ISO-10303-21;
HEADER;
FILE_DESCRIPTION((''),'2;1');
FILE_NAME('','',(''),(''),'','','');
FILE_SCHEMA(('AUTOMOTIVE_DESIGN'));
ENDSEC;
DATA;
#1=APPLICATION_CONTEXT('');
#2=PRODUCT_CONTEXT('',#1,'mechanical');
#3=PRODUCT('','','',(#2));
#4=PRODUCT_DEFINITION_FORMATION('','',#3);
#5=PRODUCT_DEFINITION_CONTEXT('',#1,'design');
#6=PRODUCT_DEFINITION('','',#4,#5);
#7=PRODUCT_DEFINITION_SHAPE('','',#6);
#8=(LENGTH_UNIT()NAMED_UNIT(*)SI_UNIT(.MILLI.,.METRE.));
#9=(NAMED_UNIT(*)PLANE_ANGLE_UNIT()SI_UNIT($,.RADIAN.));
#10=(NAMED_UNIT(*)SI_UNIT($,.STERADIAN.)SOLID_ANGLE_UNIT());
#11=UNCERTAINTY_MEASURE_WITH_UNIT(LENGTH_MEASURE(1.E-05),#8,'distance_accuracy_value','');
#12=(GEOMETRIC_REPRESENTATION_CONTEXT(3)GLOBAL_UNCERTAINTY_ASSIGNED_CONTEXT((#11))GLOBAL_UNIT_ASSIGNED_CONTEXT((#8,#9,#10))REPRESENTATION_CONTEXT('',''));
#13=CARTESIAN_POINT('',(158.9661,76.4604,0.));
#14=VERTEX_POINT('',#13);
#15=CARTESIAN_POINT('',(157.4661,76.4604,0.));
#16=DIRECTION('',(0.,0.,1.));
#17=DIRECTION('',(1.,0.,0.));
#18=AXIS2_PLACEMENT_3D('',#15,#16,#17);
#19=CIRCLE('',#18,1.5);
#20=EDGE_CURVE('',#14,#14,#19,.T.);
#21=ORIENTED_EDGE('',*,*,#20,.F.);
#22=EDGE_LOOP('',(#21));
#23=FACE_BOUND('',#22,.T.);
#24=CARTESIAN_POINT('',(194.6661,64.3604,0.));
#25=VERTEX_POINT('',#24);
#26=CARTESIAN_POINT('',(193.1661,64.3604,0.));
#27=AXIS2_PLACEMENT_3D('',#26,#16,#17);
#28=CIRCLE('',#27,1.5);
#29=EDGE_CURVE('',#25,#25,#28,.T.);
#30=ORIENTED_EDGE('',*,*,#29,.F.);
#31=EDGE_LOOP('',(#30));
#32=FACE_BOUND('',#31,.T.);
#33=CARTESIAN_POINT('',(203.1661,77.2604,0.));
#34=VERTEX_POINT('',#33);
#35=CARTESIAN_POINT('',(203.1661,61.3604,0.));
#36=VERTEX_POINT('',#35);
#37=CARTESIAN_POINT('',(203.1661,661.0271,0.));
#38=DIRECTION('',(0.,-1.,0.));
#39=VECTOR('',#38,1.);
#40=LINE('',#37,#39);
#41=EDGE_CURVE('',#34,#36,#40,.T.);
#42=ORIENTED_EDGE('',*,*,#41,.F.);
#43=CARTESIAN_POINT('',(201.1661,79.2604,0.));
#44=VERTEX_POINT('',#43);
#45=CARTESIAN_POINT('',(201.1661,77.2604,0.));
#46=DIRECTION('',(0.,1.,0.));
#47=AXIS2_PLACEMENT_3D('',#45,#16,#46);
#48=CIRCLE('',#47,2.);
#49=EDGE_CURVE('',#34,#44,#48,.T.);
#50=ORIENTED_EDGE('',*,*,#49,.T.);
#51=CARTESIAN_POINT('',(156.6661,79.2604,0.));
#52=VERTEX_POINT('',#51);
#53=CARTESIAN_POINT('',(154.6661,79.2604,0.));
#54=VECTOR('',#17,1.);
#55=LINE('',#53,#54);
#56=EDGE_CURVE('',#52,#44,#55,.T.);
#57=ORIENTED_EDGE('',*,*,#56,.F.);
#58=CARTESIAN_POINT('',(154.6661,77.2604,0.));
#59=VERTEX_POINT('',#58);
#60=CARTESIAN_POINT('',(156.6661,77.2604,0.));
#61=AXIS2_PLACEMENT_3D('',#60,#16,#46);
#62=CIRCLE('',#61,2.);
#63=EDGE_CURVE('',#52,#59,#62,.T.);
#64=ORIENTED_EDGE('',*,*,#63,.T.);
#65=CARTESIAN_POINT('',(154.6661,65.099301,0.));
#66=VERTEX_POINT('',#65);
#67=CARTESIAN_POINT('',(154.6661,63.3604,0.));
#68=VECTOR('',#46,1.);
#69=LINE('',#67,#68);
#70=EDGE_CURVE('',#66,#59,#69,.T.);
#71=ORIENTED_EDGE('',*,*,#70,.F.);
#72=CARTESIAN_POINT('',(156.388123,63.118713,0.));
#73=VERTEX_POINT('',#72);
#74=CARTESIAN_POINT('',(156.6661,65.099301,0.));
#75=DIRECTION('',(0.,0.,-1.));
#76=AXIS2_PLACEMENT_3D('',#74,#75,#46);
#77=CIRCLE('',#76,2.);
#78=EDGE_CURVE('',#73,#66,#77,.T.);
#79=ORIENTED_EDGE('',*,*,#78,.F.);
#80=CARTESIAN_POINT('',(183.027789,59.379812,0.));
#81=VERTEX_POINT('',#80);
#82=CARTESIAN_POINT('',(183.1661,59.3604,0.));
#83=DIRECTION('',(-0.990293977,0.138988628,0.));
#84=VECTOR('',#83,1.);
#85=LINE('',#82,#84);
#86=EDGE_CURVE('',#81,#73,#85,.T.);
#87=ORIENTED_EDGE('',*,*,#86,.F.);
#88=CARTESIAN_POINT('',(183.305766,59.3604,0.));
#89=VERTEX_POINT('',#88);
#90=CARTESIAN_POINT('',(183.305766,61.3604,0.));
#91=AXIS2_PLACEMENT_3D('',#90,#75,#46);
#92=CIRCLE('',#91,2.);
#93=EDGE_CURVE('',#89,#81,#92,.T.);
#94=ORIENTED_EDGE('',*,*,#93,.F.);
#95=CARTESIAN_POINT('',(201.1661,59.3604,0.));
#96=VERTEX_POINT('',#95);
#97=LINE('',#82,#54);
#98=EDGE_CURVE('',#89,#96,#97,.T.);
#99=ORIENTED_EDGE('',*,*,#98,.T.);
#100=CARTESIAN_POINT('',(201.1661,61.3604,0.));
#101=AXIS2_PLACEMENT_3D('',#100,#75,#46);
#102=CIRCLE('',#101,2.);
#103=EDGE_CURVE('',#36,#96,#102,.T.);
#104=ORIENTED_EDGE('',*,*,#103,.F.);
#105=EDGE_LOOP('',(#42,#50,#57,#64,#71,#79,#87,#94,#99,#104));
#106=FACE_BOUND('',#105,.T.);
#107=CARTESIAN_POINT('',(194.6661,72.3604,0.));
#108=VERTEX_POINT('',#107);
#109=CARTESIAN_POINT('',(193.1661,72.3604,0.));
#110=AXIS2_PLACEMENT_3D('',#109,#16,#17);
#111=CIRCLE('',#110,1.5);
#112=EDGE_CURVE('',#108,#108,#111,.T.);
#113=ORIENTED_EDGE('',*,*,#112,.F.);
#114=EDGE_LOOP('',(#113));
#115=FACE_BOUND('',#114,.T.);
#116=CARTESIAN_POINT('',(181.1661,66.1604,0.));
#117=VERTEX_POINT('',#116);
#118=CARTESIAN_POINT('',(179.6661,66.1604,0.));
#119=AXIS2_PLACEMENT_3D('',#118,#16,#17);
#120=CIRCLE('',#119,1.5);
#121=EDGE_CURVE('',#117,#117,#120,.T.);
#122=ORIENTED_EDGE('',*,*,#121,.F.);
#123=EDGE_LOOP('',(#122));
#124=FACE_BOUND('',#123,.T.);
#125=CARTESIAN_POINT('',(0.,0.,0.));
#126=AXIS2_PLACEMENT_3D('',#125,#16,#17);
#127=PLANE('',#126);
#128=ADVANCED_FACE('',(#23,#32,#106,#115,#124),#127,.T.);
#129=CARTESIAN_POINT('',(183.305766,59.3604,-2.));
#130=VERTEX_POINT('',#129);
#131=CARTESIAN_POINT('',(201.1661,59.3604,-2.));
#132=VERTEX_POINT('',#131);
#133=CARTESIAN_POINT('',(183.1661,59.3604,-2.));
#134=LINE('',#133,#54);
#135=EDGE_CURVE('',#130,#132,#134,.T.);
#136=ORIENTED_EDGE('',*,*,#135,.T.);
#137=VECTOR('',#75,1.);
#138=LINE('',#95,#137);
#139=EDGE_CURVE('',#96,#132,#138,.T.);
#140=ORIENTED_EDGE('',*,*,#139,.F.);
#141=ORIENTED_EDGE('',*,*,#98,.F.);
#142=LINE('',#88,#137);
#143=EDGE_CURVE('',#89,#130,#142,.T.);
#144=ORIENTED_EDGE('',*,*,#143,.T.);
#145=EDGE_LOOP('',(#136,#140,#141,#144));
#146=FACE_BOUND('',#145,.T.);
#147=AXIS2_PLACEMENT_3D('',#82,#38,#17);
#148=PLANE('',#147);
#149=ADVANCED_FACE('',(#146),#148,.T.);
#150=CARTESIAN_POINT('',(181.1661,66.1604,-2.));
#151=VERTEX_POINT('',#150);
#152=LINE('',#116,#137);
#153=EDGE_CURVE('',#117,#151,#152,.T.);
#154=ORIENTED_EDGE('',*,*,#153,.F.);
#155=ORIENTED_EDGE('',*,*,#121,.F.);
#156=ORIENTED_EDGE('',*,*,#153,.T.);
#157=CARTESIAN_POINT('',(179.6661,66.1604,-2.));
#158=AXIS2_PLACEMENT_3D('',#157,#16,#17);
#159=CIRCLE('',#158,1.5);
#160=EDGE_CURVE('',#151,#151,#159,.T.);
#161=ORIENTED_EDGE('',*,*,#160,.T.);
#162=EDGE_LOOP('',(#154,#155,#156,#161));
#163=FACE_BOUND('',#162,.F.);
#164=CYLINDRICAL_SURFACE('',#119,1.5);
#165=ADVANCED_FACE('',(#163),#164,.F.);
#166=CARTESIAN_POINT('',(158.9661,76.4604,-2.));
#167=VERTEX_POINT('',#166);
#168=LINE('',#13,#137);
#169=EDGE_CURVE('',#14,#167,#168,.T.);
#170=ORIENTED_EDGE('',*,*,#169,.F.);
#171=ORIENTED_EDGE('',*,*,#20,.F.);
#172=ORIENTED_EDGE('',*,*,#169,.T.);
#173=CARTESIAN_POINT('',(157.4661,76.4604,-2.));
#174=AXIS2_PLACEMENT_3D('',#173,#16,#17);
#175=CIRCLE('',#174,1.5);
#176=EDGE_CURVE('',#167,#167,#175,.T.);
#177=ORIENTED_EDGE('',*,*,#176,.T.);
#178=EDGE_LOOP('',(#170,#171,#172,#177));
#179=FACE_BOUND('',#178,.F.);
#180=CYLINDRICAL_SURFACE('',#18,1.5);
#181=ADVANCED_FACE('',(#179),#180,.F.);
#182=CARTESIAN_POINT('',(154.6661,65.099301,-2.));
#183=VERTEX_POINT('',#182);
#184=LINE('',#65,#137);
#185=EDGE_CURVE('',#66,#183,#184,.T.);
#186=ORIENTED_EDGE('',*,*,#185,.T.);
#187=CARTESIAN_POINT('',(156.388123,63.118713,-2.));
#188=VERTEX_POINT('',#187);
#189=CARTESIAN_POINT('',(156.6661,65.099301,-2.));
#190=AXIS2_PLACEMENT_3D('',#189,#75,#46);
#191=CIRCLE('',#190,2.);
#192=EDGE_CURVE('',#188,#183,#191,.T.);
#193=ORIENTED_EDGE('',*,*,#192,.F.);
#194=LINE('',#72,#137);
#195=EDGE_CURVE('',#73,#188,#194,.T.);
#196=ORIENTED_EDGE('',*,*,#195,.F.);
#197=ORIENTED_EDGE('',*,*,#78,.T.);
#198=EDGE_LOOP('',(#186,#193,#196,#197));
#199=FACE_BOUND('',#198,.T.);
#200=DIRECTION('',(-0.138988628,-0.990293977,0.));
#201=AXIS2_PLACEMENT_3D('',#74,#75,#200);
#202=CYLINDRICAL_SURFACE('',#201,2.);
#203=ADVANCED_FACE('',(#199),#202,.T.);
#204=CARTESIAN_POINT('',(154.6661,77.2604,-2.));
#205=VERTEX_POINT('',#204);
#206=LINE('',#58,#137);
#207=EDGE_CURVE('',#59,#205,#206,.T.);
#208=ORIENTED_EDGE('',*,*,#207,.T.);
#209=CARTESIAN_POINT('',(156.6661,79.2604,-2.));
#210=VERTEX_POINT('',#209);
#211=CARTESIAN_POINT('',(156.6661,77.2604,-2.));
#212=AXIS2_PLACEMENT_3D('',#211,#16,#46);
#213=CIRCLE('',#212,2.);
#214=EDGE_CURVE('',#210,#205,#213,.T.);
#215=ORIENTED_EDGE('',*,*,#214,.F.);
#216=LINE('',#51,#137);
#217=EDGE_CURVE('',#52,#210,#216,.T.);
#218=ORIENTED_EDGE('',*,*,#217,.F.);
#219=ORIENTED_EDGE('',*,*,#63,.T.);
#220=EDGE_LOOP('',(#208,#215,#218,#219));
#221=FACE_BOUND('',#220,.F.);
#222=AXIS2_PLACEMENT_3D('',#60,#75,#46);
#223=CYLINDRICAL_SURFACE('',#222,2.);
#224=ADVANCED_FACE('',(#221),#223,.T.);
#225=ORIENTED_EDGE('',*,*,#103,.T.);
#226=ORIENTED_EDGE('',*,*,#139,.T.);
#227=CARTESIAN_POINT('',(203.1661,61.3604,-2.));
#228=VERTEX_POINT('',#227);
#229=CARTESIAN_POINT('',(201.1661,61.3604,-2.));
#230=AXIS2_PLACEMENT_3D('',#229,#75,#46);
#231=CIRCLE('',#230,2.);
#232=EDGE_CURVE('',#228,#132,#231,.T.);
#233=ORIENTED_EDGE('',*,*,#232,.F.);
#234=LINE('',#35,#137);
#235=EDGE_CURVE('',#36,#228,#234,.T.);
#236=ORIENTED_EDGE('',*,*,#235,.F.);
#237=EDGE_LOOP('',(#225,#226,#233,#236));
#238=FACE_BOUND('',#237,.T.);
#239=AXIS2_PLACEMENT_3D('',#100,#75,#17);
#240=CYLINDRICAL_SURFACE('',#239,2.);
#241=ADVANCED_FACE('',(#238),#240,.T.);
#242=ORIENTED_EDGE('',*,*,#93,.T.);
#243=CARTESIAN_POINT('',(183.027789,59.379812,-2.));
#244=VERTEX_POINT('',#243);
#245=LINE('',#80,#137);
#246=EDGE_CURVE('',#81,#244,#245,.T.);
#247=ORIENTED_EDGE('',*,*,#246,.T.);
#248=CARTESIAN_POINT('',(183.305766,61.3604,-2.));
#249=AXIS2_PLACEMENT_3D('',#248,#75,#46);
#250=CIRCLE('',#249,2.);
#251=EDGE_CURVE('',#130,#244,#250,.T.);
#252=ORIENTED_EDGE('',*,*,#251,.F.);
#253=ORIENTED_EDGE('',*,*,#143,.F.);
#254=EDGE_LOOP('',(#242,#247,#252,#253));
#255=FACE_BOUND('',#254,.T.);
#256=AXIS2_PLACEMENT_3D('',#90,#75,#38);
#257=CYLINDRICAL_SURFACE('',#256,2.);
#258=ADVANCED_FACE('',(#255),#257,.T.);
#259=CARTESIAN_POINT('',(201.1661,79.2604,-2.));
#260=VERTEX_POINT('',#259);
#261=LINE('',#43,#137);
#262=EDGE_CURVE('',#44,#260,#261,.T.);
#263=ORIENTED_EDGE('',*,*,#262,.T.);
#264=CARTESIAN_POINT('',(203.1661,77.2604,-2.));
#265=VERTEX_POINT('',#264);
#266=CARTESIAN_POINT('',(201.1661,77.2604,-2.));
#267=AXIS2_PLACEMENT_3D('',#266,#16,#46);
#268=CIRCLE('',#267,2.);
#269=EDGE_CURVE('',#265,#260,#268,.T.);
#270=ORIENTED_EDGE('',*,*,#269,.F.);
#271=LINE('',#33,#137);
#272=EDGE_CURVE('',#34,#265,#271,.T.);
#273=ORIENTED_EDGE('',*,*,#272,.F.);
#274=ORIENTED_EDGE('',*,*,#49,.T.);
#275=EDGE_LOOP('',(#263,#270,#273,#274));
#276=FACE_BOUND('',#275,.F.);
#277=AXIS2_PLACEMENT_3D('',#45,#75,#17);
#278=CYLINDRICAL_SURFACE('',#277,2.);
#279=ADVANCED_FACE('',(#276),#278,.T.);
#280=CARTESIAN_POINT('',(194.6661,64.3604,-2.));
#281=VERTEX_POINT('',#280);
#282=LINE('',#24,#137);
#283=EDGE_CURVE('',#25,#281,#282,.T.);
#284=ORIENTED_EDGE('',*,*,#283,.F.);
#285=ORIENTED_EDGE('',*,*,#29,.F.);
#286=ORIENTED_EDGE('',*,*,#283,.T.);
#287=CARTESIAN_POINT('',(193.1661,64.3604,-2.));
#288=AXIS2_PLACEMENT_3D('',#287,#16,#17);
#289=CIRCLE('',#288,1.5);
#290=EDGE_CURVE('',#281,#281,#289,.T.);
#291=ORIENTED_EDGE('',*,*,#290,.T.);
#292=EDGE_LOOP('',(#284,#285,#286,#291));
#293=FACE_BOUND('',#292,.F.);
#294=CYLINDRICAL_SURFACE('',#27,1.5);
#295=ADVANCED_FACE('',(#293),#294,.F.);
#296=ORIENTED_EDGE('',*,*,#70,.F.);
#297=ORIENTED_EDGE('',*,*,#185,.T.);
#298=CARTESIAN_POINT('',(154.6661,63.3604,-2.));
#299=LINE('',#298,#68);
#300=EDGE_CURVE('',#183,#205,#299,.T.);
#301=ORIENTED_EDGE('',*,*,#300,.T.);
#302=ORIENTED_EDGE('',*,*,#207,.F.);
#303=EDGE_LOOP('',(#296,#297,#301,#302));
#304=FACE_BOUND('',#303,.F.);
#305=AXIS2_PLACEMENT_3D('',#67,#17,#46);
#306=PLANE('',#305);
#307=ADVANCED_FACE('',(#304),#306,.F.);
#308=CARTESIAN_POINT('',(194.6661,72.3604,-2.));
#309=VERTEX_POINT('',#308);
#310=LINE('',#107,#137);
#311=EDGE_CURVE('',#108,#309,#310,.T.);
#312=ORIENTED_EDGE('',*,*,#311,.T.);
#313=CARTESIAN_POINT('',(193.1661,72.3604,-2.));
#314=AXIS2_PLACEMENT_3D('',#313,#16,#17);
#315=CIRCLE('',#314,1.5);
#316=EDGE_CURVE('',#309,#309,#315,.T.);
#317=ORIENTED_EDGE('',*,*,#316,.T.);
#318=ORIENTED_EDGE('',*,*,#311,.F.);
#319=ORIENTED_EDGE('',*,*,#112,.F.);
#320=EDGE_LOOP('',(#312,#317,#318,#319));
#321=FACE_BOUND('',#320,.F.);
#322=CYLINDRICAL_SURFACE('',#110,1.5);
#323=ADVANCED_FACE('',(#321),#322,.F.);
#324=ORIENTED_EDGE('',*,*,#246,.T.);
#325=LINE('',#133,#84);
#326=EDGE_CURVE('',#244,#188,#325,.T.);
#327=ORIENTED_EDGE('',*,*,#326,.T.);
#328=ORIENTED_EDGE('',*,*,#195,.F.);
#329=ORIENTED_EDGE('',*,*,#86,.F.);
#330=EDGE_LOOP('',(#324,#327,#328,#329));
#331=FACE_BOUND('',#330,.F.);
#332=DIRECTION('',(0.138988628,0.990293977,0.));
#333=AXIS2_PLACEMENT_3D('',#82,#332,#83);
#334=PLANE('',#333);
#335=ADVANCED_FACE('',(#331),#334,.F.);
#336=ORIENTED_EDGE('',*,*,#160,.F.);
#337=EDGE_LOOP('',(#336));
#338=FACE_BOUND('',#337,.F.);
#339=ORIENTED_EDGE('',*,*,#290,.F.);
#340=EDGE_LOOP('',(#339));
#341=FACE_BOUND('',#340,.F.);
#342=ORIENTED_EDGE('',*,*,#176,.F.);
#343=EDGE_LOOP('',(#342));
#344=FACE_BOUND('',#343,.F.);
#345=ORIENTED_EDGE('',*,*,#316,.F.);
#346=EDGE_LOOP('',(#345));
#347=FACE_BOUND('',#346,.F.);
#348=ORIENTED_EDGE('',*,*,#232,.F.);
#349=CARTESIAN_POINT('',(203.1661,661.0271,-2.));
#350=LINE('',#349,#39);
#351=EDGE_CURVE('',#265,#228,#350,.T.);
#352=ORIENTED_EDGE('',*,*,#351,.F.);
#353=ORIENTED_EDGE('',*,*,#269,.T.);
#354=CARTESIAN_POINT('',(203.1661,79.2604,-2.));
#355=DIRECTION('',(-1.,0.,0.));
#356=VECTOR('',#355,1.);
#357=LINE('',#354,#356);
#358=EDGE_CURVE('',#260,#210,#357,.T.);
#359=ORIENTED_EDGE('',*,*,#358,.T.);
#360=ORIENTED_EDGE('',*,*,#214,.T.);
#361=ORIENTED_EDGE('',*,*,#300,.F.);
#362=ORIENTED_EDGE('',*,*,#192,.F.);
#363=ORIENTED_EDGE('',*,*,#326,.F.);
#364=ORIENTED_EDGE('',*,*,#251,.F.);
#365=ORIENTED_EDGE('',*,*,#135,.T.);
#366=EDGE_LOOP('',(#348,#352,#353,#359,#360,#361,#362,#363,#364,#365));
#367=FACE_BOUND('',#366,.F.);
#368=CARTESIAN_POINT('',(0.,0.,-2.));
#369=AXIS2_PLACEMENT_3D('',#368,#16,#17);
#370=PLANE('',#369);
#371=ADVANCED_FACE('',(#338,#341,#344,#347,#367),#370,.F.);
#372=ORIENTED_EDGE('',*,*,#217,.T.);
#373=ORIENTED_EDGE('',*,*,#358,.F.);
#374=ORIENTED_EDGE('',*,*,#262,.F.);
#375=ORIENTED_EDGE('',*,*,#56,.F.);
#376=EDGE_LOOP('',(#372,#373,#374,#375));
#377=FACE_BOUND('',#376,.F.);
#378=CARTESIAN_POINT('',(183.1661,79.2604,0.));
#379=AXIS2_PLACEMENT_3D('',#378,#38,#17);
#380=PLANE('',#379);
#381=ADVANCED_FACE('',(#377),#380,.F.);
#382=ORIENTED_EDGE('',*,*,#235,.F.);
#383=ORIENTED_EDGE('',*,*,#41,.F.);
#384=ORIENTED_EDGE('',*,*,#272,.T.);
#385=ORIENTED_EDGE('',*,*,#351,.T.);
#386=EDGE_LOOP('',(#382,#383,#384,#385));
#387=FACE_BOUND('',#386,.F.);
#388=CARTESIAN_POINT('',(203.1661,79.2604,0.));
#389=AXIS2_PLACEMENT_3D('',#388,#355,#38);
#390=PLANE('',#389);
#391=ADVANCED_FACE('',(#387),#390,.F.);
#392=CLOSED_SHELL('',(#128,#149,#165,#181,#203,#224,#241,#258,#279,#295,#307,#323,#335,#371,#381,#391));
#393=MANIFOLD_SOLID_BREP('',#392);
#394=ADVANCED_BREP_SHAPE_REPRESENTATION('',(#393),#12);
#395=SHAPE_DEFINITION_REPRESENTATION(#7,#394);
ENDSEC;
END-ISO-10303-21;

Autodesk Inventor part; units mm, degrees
ref_plane "YZ Plane" through (0, 0, 0) normal (1, 0, 0) x (0, 1, 0)
ref_plane "XZ Plane" through (0, 0, 0) normal (0, 1, 0) x (-1, 0, 0)
ref_plane "XY Plane" through (0, 0, 0) normal (0, 0, 1) x (1, 0, 0)
sketch "スケッチ1" plane through (0, 0, 0) normal (0, 0, 1) x (1, 0, 0)
  line L0 (203.1661, 661.0271) -> (203.1661, -646.9853)
  line L1 (203.1661, 628.7976) -> (183.1661, 628.7976)
  line L2 (183.1661, 660.9684) -> (183.1661, -646.9853)
  line L3 (183.1661, 25.0147) -> (203.1661, 25.0147)
  line L4 (183.1661, -646.9853) -> (203.1661, -646.9853)
  line L5 (183.1661, 660.9684) -> (203.1661, 661.0271)
  line L6 (168.1661, 612.8976) -> (195.9661, 612.8976)
  line L7 (195.9661, 612.8976) -> (195.9661, 628.7976)
  line L8 (195.9661, 628.7976) -> (168.1661, 628.7976)
  line L9 (168.1661, 628.7976) -> (168.1661, 612.8976)
  circle A0 centre (170.9661, 615.6976) radius 1.5
  circle A1 centre (193.1661, 625.9976) radius 1.5
  circle A2 centre (193.1661, 633.9976) radius 1.5
  line L10 (154.6661, 79.2604) -> (182.4661, 79.2604)
  line L11 (182.4661, 79.2604) -> (182.4661, 63.3604)
  line L12 (182.4661, 63.3604) -> (154.6661, 63.3604)
  line L13 (154.6661, 63.3604) -> (154.6661, 79.2604)
  circle A3 centre (157.4661, 76.4604) radius 1.5
  circle A4 centre (179.6661, 66.1604) radius 1.5
  circle A5 centre (193.1661, 64.3604) radius 1.5
  line L14 (183.1661, 638.9976) -> (203.1661, 638.9976)
  line L15 (195.9661, 612.8976) -> (203.1661, 612.8976)
  line L16 (203.1661, 612.8976) -> (203.1661, 638.9976)
  line L17 (183.1661, 638.9976) -> (168.1661, 628.7976)
  line L18 (183.1661, 59.3604) -> (203.1661, 59.3604)
  line L19 (182.4661, 79.2604) -> (203.1661, 79.2604)
  line L20 (203.1661, 79.2604) -> (203.1661, 59.3604)
  line L21 (183.1661, 59.3604) -> (154.6661, 63.3604)
  circle A6 centre (193.1661, 72.3604) radius 1.5
  point P0 (0, 0)
  point P1 (-212.8828, -214.6519)
  dimension "d0" = 672
  dimension "d1" = 27.8
  dimension "d2" = 15.9
  dimension "d3" = 3
  dimension "d4" = 3
  dimension "d5" = 2.8
  dimension "d6" = 2.8
  dimension "d7" = 2.8
  dimension "d8" = 2.8
  dimension "d9" = 0
  dimension "d10" = 10
  dimension "d11" = 3
  dimension "d12" = 8
  dimension "d13" = 10
  dimension "d14" = 27
  dimension "d15" = 27.8
  dimension "d16" = 15.9
  dimension "d17" = 3
  dimension "d18" = 3
  dimension "d19" = 2.8
  dimension "d20" = 2.8
  dimension "d21" = 2.8
  dimension "d22" = 2.8
  dimension "d24" = 560
  dimension "d25" = 3
  dimension "d27" = 10
  dimension "d28" = 5
  dimension "d29" = 5
  dimension "d33" = 20
  dimension "d34" = 203.1661
  dimension "d39" = 3.5
  dimension "d40" = 3
  dimension "d41" = 10
  dimension "d42" = 8
  dimension "d43" = 4
extrude "押し出し1" add sketch "スケッチ1" against normal blind 2 contours L0 L18 L2 L19 | L2 L21 L12 L11 L19 | L11 L12 L13 L10
fillet "フィレット1" radius 2 5 edges at (154.6661, 79.2604, -1) (154.6661, 63.3604, -1) (183.1661, 59.3604, -1) (203.1661, 59.3604, -1) (203.1661, 79.2604, -1)
equation "\"d6\" = d5"
equation "\"d7\" = d5"
equation "\"d8\" = d5"
equation "\"d20\" = d19"
equation "\"d21\" = d19"
equation "\"d22\" = d19"
properties part number "dribl-v1-Plate-12" material "アルミニウム 6061"
